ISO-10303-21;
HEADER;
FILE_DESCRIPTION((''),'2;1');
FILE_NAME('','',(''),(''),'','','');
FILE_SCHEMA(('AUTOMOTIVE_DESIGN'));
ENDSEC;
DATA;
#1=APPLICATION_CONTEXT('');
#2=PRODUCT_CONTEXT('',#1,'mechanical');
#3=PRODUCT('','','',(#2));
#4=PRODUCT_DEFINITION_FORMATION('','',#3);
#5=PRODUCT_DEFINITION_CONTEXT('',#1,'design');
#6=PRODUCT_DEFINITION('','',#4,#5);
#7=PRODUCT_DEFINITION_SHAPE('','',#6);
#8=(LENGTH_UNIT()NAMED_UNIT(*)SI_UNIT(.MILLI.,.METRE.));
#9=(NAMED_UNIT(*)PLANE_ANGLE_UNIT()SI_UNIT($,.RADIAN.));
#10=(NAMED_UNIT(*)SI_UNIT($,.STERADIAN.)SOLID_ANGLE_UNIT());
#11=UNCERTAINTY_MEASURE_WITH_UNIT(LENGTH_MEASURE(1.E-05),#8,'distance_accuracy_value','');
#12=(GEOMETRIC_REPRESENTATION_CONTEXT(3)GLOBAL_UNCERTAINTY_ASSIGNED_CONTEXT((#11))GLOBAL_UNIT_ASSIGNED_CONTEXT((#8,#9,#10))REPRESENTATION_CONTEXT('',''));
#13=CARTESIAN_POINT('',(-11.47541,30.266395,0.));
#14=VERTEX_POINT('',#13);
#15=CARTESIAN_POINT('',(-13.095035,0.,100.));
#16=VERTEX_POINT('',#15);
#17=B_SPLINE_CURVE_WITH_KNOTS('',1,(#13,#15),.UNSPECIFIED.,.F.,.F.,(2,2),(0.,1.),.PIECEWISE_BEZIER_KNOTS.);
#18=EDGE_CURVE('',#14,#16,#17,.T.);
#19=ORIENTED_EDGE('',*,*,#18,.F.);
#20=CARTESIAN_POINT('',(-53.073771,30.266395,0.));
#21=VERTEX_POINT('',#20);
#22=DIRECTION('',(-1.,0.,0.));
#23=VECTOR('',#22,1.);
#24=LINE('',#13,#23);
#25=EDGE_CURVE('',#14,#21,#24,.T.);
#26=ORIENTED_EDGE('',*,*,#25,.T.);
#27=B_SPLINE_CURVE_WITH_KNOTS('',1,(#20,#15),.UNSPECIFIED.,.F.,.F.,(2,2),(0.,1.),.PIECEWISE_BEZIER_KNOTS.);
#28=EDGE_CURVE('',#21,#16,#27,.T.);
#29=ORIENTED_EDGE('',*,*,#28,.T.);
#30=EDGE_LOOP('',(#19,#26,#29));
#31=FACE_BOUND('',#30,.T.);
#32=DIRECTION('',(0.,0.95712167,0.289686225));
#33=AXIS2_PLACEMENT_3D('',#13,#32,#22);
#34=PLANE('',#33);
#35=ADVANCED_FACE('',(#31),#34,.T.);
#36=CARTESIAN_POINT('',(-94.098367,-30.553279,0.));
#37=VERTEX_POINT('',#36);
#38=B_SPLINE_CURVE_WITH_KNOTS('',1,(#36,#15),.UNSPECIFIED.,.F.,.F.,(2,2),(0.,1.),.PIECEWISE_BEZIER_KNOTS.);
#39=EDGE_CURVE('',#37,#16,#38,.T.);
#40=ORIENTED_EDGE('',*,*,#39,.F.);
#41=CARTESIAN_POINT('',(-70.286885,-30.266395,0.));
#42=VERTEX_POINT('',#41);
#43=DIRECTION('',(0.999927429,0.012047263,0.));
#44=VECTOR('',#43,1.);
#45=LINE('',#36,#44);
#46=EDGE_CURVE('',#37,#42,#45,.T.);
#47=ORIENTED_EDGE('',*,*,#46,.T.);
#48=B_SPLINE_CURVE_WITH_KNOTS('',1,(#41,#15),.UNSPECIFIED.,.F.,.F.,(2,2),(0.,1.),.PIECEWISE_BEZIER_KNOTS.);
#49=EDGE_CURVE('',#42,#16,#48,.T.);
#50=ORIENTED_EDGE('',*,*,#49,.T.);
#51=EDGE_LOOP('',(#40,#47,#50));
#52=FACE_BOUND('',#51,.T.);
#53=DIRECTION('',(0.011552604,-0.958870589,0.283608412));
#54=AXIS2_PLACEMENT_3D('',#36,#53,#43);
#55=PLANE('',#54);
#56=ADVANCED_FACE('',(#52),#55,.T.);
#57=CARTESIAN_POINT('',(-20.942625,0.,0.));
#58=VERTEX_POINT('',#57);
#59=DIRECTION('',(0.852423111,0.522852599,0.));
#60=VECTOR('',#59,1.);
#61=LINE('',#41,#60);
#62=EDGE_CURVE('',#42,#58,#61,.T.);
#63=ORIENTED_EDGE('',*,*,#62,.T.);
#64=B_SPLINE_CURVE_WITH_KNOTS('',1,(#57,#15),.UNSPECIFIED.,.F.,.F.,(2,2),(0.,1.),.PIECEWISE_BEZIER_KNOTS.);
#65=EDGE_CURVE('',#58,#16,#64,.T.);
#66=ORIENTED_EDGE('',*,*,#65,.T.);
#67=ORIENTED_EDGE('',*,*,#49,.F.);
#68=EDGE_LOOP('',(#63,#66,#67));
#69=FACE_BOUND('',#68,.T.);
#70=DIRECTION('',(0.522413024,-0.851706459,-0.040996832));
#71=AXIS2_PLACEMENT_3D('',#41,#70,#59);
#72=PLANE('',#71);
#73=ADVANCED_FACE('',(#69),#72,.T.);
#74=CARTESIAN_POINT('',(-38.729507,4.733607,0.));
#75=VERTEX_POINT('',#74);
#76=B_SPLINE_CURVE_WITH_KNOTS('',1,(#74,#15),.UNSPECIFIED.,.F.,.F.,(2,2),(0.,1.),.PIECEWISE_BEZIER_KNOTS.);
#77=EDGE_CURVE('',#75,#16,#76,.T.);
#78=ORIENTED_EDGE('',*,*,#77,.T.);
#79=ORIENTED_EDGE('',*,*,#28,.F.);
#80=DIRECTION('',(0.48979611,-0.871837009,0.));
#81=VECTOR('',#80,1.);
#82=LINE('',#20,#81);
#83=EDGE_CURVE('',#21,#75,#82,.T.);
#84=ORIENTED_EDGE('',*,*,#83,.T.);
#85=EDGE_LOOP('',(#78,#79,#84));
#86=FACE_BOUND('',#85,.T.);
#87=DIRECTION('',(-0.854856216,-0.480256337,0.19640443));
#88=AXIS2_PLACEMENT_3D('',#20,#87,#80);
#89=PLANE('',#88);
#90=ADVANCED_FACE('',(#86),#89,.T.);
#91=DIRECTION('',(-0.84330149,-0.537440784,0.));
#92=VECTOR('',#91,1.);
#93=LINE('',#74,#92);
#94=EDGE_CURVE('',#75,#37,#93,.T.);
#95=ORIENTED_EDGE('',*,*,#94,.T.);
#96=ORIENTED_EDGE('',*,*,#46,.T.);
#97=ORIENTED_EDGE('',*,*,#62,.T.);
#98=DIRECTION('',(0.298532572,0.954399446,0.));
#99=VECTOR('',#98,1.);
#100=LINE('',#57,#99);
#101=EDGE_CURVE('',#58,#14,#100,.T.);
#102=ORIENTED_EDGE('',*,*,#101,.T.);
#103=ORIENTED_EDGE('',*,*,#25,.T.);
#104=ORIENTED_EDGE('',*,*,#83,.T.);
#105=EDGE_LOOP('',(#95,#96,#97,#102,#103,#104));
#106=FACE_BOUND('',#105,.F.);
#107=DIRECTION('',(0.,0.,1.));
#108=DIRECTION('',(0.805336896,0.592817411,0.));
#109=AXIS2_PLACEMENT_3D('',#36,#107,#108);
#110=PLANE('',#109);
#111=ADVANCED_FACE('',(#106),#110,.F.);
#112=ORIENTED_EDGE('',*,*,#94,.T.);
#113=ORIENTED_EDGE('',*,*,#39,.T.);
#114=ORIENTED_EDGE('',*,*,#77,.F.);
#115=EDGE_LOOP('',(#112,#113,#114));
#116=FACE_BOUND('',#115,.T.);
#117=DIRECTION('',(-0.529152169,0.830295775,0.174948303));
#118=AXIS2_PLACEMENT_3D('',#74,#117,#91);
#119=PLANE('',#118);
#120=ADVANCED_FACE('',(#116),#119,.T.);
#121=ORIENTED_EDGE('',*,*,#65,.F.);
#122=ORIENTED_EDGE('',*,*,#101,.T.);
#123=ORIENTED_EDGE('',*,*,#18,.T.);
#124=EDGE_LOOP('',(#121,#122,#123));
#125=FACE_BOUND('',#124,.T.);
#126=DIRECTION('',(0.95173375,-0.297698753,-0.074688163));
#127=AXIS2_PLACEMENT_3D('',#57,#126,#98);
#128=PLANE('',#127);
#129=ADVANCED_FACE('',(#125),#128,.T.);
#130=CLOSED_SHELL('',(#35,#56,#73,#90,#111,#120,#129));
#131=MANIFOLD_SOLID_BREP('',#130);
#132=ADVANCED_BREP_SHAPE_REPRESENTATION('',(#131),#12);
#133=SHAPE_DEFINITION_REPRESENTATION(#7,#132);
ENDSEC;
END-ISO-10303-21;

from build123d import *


with BuildPart() as f3:
    # F0 (on Top) → F3 section 0
    with BuildSketch(Plane.XY, mode=Mode.PRIVATE) as f3_s0:
        Polygon((-94.098367, -30.553279), (-70.286885, -30.266395), (-20.942625, 0), (-11.47541, 30.266395), (-53.073771, 30.266395), (-38.729507, 4.733607), align=None)
    loft([f3_s0.sketch, Vertex(-13.095035, 0, 100)])


solid = f3.part
